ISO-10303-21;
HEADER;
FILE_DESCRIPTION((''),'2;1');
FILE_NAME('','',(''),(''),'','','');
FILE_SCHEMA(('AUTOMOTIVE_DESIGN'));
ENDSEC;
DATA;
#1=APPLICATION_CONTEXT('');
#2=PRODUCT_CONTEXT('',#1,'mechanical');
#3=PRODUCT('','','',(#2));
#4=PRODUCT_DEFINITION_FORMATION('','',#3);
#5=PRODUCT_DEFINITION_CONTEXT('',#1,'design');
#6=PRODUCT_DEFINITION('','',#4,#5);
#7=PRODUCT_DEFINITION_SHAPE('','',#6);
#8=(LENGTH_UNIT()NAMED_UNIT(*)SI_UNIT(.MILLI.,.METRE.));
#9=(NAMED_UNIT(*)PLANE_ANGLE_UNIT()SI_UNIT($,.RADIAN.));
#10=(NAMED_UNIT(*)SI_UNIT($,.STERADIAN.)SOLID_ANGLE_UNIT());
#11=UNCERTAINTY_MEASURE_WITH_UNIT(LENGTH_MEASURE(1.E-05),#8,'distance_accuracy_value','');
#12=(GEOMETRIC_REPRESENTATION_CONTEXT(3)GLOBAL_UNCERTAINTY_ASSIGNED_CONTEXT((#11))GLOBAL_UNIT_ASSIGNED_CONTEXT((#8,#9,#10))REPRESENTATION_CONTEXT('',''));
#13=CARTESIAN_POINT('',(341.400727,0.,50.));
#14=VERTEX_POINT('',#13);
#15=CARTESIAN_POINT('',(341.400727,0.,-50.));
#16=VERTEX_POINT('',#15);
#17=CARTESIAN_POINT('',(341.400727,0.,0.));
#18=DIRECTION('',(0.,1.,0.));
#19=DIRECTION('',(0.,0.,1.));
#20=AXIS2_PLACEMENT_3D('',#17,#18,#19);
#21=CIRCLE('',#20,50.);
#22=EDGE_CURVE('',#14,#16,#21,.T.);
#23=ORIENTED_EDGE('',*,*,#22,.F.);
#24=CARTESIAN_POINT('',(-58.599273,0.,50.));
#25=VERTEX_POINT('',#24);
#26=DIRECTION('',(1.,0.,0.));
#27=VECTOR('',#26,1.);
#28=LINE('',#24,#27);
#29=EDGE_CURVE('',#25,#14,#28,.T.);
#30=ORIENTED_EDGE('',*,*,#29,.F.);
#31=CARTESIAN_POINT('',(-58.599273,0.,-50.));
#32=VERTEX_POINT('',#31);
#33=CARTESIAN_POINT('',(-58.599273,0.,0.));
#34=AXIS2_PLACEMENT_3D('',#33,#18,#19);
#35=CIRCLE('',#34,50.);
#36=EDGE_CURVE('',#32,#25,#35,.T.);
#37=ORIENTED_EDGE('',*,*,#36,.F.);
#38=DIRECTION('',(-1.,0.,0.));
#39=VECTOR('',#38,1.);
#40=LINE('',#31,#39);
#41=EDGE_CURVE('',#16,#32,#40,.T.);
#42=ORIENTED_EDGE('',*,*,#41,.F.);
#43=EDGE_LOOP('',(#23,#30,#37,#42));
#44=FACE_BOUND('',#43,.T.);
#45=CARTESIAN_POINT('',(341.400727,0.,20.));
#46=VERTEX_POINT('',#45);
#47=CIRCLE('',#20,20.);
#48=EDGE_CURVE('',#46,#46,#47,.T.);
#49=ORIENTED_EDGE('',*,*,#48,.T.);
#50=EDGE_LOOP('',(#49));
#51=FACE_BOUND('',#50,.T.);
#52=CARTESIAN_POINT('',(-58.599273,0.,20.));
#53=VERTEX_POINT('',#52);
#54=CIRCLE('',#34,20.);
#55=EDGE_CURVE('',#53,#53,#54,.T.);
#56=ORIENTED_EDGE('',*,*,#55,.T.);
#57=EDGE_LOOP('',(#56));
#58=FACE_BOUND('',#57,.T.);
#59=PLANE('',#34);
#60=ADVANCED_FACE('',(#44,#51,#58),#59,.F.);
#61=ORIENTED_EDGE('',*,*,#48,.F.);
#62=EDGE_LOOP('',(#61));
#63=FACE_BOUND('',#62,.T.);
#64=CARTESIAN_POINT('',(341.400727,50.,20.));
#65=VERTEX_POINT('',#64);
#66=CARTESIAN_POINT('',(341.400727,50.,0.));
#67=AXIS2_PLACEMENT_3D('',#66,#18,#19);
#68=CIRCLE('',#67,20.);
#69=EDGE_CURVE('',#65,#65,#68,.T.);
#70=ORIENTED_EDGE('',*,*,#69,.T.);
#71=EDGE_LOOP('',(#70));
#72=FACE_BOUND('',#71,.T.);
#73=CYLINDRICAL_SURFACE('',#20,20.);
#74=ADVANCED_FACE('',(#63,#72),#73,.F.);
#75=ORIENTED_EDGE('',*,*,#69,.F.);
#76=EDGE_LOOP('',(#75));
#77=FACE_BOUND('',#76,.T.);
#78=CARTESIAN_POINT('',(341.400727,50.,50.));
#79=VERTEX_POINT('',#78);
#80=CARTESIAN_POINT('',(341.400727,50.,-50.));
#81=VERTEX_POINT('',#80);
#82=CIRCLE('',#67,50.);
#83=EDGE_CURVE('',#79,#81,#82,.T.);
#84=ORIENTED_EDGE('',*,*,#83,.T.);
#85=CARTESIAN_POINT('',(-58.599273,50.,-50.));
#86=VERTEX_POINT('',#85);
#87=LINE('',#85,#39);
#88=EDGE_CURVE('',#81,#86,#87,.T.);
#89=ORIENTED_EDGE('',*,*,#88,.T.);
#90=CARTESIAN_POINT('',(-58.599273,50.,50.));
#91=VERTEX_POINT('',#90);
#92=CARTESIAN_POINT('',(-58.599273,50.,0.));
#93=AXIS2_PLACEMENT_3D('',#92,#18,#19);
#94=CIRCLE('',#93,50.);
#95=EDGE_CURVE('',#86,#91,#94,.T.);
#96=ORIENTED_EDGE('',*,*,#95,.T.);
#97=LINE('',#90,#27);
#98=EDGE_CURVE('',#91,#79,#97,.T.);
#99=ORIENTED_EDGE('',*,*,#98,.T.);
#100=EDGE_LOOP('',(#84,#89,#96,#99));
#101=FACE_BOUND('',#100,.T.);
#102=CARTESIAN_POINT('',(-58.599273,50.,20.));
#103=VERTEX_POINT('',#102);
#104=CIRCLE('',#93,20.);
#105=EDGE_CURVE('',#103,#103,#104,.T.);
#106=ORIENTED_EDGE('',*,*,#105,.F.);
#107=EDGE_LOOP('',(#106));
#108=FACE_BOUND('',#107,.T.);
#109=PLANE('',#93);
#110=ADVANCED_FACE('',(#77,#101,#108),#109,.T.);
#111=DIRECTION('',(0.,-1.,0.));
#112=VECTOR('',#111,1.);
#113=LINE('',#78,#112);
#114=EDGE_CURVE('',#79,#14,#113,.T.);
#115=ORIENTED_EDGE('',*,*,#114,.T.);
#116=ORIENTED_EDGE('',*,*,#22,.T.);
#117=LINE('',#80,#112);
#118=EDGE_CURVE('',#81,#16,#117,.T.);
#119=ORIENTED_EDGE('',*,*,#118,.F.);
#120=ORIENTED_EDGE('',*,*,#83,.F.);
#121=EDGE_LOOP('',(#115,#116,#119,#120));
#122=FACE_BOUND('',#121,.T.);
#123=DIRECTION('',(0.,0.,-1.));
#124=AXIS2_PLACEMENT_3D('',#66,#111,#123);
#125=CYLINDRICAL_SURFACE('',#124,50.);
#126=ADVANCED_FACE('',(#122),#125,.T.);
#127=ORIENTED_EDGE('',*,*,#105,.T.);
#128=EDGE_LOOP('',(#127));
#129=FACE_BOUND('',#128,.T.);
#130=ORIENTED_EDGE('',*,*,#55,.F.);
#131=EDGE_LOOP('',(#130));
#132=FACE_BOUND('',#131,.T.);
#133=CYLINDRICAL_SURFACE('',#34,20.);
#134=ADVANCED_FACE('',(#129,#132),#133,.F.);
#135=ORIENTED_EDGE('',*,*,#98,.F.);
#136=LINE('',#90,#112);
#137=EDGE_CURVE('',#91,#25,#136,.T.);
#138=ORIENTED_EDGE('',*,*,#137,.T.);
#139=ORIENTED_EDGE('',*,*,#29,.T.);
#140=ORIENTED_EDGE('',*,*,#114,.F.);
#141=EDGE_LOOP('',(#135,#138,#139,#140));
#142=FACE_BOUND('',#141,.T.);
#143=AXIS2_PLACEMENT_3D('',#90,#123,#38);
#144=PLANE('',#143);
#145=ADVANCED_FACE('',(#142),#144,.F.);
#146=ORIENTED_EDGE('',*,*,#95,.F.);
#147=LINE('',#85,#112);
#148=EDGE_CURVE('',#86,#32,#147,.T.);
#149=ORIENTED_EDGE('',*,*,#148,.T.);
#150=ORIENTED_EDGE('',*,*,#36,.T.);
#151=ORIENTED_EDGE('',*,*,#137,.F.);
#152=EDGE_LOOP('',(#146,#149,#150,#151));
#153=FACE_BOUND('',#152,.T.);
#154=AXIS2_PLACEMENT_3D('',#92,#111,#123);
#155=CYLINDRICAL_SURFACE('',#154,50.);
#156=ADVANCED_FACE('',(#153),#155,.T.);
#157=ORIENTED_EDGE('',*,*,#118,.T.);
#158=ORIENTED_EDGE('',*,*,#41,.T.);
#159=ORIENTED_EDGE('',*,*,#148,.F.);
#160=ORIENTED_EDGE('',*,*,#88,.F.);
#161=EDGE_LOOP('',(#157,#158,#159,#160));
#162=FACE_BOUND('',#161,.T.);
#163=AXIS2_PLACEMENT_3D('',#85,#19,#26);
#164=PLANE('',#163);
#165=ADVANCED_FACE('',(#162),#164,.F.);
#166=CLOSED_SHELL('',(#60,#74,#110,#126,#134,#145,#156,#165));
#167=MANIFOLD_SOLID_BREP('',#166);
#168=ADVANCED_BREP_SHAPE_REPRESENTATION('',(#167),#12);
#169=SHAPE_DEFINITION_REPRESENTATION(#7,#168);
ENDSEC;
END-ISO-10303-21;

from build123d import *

# Parameters (mm, degrees)
BOSS_EXTRUDE1_DEPTH = 50
SKETCH2_R           = 20
CUT_EXTRUDE1_DEPTH  = 50


with BuildPart() as part:
    # Sketch1 → Boss-Extrude1 (new body)
    with BuildSketch(Plane(origin=(0, 0, 0), x_dir=(1, 0, 0), z_dir=(0, 1, 0))):
        with BuildLine():
            Line((-58.599273321, 50), (341.400726679, 50))
            ThreePointArc((341.400726679, 50), (391.400726679, 0), (341.400726679, -50))
            Line((341.400726679, -50), (-58.599273321, -50))
            ThreePointArc((-58.599273321, -50), (-108.599273321, 0), (-58.599273321, 50))
        make_face()
    extrude(amount=BOSS_EXTRUDE1_DEPTH)

    # Sketch2 → Cut-Extrude1 (cut)
    with BuildSketch(Plane(origin=(0, 50, 0), x_dir=(1, 0, 0), z_dir=(0, 1, 0))):
        with Locations(Location((-58.599273321, 0, 0), (0, 0, 270))):
            Circle(SKETCH2_R)
        with Locations(Location((341.400726679, 0, 0), (0, 0, 270))):
            Circle(SKETCH2_R)
    extrude(amount=-CUT_EXTRUDE1_DEPTH, mode=Mode.SUBTRACT)


solid = part.part
